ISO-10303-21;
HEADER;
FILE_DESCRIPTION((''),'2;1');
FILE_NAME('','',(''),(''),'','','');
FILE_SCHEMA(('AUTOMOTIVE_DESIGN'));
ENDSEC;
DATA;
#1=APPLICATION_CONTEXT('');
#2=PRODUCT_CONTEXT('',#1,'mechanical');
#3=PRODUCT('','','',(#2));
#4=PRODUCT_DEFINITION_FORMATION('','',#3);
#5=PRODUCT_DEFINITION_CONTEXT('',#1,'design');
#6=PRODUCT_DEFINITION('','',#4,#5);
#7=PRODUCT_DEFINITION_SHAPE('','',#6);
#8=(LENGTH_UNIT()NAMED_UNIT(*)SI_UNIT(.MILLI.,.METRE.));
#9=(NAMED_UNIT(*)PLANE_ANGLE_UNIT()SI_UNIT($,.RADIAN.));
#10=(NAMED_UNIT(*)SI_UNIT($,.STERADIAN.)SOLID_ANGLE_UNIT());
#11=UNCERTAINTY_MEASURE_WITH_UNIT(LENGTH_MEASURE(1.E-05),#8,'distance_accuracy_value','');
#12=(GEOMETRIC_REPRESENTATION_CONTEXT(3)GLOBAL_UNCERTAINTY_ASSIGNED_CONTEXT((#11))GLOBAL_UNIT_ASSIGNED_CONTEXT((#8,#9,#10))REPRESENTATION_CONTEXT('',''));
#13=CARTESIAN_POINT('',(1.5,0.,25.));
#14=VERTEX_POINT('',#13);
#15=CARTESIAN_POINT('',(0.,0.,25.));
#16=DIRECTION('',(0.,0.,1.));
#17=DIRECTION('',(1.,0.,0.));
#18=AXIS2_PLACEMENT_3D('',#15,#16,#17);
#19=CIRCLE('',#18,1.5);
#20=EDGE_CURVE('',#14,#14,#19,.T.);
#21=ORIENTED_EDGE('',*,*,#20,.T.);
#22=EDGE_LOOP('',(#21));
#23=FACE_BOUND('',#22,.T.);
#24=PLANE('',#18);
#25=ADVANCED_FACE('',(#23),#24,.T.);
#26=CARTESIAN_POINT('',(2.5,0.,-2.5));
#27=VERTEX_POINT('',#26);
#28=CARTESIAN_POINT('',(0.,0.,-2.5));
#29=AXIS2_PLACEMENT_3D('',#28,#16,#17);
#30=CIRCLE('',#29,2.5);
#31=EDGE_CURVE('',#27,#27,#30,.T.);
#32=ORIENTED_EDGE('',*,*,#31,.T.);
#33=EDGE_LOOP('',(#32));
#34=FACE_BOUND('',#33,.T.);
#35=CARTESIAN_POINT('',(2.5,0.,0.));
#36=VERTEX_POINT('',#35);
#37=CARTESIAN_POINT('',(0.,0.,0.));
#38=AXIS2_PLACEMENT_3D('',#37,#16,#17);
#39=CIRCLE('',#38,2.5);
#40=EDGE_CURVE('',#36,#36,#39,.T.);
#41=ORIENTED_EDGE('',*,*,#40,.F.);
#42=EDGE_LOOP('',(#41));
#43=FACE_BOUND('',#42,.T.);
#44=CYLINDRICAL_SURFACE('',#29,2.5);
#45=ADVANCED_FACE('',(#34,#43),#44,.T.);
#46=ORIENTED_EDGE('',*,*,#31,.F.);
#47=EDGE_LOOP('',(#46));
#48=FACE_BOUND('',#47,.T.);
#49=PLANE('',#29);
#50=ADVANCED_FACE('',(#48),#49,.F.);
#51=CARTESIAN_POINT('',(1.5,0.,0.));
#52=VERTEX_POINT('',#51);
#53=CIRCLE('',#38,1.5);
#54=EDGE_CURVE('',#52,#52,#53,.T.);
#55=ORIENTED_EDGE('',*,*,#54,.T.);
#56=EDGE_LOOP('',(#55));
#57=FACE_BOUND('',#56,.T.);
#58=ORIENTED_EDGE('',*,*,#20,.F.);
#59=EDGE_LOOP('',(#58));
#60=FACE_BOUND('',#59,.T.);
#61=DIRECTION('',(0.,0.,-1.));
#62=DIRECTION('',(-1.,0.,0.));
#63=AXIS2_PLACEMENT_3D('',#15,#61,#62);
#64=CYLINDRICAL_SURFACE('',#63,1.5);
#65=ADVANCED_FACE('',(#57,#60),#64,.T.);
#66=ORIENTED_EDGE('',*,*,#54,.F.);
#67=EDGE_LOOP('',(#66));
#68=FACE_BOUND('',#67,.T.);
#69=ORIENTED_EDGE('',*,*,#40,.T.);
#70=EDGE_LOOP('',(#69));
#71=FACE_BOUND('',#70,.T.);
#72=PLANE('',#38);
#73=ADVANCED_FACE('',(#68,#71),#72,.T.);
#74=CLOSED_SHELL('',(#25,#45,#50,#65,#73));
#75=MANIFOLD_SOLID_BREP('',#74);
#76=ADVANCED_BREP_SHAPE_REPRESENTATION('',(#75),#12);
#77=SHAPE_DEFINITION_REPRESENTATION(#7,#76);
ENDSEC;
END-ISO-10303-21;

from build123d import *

# Parameters (mm, degrees)
SKETCH1_R           = 2.5
SKETCH1_R_2         = 1.5
BOSS_EXTRUDE3_DEPTH = 2.5
SKETCH1_3_R         = 1.5
BOSS_EXTRUDE4_DEPTH = 25


with BuildPart() as part:
    # Sketch1 → Boss-Extrude3 (new body)
    # profile 1 of 2: a face of its own
    with BuildSketch(Plane.XY):
        Circle(SKETCH1_R)
        Circle(SKETCH1_R_2, mode=Mode.SUBTRACT)
    # profile 2 of 2: a face of its own
    with BuildSketch(Plane.XY):
        Circle(SKETCH1_R_2)
    extrude(amount=-BOSS_EXTRUDE3_DEPTH)

    # Sketch1<3> → Boss-Extrude4 (add)
    with BuildSketch(Plane.XY):
        Circle(SKETCH1_3_R)
    extrude(amount=BOSS_EXTRUDE4_DEPTH)


solid = part.part
